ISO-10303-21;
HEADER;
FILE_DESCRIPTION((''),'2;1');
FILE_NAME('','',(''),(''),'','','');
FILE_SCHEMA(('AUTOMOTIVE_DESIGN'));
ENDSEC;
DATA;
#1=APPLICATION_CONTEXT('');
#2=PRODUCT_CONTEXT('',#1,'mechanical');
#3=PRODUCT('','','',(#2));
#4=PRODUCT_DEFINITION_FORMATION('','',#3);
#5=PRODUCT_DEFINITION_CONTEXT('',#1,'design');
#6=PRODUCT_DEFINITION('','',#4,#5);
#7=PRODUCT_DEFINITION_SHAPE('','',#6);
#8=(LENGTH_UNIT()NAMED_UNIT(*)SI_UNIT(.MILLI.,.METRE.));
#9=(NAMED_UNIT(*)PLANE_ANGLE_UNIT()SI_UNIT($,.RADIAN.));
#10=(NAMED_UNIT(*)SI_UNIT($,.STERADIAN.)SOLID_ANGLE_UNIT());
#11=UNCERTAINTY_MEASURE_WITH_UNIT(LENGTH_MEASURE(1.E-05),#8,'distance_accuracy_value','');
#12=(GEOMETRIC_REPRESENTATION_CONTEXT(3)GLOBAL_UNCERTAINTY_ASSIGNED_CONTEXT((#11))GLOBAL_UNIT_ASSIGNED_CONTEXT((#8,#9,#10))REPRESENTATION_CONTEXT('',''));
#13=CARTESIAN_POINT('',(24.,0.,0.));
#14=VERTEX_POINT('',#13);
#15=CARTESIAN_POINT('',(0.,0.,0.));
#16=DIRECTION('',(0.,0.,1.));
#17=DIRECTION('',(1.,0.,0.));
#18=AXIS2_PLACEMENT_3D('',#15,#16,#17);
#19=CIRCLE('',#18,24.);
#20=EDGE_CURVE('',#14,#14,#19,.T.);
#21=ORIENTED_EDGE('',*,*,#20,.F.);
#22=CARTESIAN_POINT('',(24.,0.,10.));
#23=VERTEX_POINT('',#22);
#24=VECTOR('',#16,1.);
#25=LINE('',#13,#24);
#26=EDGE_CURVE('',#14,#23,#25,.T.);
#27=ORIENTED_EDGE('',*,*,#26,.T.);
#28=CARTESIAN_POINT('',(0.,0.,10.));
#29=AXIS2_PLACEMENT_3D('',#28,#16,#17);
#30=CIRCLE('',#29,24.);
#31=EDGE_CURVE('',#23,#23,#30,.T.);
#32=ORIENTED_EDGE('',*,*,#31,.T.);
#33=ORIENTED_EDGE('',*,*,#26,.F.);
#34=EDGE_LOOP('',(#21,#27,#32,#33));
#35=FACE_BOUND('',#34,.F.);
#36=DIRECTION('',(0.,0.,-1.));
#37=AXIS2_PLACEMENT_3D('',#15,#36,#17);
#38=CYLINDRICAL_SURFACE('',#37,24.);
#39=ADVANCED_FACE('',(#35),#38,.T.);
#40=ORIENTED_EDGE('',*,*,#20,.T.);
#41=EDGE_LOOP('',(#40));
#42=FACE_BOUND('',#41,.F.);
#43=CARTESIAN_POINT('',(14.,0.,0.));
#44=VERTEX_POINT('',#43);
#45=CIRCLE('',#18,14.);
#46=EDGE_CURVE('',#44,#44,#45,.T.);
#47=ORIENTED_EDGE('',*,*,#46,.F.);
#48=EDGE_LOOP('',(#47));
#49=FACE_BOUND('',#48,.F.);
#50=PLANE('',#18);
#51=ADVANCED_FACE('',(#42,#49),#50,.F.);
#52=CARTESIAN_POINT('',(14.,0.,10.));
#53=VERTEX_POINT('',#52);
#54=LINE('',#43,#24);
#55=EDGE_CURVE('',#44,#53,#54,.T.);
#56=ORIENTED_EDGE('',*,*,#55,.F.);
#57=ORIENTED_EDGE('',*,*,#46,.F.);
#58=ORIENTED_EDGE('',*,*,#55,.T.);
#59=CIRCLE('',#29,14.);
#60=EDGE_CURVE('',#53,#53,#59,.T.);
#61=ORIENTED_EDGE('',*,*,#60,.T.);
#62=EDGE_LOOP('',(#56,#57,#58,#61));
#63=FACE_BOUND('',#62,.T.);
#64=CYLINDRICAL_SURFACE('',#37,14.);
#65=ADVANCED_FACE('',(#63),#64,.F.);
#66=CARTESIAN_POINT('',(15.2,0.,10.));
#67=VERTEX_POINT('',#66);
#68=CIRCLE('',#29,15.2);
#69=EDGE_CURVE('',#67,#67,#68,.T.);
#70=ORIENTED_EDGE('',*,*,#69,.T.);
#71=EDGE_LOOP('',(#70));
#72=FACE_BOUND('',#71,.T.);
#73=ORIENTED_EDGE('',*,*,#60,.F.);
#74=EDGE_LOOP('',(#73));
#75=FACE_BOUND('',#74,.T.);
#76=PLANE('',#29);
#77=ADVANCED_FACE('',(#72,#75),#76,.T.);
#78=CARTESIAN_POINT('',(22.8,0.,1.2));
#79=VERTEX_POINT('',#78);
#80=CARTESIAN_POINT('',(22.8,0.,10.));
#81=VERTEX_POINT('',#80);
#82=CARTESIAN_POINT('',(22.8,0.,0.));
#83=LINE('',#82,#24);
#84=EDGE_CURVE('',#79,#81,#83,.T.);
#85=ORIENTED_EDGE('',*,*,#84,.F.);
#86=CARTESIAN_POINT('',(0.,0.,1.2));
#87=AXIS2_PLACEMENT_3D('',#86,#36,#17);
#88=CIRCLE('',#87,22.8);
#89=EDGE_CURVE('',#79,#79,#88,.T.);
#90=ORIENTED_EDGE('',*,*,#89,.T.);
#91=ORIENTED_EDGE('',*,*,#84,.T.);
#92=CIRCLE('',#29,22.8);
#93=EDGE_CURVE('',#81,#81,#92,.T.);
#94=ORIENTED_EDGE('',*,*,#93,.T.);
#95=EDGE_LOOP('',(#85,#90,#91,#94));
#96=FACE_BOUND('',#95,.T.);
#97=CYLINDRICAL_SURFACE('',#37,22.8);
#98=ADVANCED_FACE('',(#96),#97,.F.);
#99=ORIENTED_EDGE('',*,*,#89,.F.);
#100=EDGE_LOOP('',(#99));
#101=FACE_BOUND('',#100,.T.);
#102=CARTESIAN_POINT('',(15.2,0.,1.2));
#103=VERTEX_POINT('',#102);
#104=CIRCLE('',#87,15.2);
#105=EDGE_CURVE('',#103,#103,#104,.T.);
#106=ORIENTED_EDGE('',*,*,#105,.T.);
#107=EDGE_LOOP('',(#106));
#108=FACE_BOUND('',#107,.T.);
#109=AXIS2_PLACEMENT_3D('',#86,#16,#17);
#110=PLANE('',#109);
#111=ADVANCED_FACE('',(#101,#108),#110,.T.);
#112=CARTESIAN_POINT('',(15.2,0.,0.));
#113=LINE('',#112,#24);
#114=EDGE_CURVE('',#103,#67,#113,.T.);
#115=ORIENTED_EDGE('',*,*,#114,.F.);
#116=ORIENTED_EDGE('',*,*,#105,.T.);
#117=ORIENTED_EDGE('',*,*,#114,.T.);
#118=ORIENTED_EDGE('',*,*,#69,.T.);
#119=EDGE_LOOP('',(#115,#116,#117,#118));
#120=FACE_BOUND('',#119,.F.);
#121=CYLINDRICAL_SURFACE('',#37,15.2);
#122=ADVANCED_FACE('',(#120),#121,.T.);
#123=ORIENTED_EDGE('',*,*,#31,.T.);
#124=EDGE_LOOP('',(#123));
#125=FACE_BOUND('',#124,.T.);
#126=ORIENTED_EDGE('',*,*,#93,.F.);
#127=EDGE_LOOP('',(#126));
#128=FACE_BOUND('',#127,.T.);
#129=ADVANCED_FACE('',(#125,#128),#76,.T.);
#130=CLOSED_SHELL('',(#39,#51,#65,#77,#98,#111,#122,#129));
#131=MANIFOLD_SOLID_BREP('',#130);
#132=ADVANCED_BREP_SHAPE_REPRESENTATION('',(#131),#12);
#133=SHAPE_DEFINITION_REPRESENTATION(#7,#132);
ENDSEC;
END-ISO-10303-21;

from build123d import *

# Parameters (mm, degrees)
F0_R     = 24
F0_R_2   = 14
F1_DEPTH = 10
F2_T     = -1.2


with BuildPart() as f1:
    # F0 (on Top) → F1 (new body)
    with BuildSketch(Plane.XY):
        Circle(F0_R)
        Circle(F0_R_2, mode=Mode.SUBTRACT)
    extrude(amount=F1_DEPTH)

    # F2
    f2_openings = [f1.faces().sort_by_distance(p)[0] for p in [
        (-23.321177, 0, 10),
    ]]
    offset(amount=F2_T, openings=f2_openings)


solid = f1.part
